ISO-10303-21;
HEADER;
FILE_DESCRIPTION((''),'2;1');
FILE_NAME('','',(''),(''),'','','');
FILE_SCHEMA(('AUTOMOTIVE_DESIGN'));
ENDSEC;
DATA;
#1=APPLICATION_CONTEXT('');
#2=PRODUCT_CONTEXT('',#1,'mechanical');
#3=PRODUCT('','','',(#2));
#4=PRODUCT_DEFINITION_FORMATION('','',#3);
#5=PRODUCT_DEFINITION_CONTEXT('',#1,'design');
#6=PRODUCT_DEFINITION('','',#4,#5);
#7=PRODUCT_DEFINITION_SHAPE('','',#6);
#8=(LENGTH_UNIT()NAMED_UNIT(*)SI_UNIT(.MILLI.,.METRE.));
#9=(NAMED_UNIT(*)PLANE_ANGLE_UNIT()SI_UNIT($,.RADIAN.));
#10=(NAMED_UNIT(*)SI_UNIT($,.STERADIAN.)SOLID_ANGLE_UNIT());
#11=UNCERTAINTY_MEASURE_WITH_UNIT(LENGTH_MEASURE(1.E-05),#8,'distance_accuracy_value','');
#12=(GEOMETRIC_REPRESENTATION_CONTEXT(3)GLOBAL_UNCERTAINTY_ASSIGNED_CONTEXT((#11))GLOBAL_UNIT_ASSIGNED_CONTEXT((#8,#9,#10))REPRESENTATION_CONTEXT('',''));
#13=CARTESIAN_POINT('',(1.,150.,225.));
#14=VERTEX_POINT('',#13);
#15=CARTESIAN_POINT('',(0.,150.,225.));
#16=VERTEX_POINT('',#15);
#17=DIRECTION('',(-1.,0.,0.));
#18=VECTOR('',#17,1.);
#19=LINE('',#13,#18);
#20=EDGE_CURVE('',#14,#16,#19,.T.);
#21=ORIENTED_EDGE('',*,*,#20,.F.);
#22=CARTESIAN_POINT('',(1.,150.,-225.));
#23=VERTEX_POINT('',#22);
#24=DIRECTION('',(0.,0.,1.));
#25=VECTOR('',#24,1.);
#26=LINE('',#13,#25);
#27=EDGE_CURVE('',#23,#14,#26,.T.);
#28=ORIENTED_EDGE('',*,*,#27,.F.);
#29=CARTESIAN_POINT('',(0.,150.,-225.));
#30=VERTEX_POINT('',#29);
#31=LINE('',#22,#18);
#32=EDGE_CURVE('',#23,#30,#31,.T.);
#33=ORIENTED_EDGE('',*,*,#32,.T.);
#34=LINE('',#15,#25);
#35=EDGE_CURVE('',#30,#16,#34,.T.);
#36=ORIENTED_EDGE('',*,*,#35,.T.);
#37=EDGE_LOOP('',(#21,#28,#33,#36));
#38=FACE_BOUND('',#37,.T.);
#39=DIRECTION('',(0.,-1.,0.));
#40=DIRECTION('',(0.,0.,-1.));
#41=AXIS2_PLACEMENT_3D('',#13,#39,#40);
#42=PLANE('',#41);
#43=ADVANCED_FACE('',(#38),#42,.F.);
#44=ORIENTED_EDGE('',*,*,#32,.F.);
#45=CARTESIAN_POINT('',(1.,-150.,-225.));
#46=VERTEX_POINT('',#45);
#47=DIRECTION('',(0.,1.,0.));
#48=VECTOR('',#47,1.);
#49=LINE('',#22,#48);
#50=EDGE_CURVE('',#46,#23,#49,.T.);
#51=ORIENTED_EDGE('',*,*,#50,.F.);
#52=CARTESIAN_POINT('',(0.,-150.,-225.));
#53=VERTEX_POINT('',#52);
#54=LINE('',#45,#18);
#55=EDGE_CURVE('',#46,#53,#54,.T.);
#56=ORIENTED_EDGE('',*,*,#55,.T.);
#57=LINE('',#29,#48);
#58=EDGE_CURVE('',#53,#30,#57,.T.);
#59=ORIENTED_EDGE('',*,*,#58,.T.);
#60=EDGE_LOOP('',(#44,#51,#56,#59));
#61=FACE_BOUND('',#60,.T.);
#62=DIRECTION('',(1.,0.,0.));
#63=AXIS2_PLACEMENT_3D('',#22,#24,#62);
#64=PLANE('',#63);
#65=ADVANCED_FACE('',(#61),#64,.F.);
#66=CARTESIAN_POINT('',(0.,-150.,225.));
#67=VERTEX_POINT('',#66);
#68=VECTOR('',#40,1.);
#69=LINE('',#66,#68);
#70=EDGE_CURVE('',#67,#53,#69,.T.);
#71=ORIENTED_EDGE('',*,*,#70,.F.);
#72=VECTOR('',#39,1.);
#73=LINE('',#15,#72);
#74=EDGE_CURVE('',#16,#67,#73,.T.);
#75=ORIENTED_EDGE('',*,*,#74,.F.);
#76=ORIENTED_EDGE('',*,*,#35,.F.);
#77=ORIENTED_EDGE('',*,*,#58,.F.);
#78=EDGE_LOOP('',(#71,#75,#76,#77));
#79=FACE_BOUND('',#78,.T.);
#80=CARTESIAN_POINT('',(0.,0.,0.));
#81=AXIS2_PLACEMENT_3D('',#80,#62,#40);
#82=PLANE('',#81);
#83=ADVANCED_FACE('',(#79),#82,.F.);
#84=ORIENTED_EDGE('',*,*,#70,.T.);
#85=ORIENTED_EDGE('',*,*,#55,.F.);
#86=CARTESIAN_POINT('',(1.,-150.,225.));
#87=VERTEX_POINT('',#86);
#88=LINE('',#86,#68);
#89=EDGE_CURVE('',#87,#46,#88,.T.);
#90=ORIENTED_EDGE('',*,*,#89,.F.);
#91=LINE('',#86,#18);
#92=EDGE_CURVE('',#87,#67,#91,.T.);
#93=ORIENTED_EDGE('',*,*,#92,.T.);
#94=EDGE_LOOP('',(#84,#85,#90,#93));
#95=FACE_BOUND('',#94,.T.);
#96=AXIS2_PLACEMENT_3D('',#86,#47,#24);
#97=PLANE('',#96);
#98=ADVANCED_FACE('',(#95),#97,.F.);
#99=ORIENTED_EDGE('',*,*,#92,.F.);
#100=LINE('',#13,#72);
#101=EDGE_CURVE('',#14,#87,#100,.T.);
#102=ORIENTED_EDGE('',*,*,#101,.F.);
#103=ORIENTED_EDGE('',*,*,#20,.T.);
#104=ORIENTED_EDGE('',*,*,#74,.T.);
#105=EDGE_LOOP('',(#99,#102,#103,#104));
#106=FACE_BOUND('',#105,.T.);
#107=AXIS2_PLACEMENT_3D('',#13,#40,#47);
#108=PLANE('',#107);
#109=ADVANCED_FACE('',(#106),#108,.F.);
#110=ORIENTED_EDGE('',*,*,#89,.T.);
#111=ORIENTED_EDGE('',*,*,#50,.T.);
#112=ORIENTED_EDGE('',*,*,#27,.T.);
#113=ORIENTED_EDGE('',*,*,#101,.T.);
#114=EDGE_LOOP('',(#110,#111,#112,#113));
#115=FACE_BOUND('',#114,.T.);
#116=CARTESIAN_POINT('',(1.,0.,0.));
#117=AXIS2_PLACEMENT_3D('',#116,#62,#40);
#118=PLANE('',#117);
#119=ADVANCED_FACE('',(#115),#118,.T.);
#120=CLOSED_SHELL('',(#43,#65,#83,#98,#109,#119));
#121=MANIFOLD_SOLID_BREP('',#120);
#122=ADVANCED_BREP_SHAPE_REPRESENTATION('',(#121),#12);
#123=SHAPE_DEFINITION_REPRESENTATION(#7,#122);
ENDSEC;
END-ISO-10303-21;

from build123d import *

# Parameters (mm, degrees)
SKETCH1_W           = 450
SKETCH1_H           = 300
BOSS_EXTRUDE1_DEPTH = 1


with BuildPart() as part:
    # Sketch1 → Boss-Extrude1 (new body)
    with BuildSketch(Plane(origin=(0, 0, 0), x_dir=(0, 0, -1), z_dir=(1, 0, 0))):
        Rectangle(SKETCH1_W, SKETCH1_H)
    extrude(amount=BOSS_EXTRUDE1_DEPTH)


solid = part.part
